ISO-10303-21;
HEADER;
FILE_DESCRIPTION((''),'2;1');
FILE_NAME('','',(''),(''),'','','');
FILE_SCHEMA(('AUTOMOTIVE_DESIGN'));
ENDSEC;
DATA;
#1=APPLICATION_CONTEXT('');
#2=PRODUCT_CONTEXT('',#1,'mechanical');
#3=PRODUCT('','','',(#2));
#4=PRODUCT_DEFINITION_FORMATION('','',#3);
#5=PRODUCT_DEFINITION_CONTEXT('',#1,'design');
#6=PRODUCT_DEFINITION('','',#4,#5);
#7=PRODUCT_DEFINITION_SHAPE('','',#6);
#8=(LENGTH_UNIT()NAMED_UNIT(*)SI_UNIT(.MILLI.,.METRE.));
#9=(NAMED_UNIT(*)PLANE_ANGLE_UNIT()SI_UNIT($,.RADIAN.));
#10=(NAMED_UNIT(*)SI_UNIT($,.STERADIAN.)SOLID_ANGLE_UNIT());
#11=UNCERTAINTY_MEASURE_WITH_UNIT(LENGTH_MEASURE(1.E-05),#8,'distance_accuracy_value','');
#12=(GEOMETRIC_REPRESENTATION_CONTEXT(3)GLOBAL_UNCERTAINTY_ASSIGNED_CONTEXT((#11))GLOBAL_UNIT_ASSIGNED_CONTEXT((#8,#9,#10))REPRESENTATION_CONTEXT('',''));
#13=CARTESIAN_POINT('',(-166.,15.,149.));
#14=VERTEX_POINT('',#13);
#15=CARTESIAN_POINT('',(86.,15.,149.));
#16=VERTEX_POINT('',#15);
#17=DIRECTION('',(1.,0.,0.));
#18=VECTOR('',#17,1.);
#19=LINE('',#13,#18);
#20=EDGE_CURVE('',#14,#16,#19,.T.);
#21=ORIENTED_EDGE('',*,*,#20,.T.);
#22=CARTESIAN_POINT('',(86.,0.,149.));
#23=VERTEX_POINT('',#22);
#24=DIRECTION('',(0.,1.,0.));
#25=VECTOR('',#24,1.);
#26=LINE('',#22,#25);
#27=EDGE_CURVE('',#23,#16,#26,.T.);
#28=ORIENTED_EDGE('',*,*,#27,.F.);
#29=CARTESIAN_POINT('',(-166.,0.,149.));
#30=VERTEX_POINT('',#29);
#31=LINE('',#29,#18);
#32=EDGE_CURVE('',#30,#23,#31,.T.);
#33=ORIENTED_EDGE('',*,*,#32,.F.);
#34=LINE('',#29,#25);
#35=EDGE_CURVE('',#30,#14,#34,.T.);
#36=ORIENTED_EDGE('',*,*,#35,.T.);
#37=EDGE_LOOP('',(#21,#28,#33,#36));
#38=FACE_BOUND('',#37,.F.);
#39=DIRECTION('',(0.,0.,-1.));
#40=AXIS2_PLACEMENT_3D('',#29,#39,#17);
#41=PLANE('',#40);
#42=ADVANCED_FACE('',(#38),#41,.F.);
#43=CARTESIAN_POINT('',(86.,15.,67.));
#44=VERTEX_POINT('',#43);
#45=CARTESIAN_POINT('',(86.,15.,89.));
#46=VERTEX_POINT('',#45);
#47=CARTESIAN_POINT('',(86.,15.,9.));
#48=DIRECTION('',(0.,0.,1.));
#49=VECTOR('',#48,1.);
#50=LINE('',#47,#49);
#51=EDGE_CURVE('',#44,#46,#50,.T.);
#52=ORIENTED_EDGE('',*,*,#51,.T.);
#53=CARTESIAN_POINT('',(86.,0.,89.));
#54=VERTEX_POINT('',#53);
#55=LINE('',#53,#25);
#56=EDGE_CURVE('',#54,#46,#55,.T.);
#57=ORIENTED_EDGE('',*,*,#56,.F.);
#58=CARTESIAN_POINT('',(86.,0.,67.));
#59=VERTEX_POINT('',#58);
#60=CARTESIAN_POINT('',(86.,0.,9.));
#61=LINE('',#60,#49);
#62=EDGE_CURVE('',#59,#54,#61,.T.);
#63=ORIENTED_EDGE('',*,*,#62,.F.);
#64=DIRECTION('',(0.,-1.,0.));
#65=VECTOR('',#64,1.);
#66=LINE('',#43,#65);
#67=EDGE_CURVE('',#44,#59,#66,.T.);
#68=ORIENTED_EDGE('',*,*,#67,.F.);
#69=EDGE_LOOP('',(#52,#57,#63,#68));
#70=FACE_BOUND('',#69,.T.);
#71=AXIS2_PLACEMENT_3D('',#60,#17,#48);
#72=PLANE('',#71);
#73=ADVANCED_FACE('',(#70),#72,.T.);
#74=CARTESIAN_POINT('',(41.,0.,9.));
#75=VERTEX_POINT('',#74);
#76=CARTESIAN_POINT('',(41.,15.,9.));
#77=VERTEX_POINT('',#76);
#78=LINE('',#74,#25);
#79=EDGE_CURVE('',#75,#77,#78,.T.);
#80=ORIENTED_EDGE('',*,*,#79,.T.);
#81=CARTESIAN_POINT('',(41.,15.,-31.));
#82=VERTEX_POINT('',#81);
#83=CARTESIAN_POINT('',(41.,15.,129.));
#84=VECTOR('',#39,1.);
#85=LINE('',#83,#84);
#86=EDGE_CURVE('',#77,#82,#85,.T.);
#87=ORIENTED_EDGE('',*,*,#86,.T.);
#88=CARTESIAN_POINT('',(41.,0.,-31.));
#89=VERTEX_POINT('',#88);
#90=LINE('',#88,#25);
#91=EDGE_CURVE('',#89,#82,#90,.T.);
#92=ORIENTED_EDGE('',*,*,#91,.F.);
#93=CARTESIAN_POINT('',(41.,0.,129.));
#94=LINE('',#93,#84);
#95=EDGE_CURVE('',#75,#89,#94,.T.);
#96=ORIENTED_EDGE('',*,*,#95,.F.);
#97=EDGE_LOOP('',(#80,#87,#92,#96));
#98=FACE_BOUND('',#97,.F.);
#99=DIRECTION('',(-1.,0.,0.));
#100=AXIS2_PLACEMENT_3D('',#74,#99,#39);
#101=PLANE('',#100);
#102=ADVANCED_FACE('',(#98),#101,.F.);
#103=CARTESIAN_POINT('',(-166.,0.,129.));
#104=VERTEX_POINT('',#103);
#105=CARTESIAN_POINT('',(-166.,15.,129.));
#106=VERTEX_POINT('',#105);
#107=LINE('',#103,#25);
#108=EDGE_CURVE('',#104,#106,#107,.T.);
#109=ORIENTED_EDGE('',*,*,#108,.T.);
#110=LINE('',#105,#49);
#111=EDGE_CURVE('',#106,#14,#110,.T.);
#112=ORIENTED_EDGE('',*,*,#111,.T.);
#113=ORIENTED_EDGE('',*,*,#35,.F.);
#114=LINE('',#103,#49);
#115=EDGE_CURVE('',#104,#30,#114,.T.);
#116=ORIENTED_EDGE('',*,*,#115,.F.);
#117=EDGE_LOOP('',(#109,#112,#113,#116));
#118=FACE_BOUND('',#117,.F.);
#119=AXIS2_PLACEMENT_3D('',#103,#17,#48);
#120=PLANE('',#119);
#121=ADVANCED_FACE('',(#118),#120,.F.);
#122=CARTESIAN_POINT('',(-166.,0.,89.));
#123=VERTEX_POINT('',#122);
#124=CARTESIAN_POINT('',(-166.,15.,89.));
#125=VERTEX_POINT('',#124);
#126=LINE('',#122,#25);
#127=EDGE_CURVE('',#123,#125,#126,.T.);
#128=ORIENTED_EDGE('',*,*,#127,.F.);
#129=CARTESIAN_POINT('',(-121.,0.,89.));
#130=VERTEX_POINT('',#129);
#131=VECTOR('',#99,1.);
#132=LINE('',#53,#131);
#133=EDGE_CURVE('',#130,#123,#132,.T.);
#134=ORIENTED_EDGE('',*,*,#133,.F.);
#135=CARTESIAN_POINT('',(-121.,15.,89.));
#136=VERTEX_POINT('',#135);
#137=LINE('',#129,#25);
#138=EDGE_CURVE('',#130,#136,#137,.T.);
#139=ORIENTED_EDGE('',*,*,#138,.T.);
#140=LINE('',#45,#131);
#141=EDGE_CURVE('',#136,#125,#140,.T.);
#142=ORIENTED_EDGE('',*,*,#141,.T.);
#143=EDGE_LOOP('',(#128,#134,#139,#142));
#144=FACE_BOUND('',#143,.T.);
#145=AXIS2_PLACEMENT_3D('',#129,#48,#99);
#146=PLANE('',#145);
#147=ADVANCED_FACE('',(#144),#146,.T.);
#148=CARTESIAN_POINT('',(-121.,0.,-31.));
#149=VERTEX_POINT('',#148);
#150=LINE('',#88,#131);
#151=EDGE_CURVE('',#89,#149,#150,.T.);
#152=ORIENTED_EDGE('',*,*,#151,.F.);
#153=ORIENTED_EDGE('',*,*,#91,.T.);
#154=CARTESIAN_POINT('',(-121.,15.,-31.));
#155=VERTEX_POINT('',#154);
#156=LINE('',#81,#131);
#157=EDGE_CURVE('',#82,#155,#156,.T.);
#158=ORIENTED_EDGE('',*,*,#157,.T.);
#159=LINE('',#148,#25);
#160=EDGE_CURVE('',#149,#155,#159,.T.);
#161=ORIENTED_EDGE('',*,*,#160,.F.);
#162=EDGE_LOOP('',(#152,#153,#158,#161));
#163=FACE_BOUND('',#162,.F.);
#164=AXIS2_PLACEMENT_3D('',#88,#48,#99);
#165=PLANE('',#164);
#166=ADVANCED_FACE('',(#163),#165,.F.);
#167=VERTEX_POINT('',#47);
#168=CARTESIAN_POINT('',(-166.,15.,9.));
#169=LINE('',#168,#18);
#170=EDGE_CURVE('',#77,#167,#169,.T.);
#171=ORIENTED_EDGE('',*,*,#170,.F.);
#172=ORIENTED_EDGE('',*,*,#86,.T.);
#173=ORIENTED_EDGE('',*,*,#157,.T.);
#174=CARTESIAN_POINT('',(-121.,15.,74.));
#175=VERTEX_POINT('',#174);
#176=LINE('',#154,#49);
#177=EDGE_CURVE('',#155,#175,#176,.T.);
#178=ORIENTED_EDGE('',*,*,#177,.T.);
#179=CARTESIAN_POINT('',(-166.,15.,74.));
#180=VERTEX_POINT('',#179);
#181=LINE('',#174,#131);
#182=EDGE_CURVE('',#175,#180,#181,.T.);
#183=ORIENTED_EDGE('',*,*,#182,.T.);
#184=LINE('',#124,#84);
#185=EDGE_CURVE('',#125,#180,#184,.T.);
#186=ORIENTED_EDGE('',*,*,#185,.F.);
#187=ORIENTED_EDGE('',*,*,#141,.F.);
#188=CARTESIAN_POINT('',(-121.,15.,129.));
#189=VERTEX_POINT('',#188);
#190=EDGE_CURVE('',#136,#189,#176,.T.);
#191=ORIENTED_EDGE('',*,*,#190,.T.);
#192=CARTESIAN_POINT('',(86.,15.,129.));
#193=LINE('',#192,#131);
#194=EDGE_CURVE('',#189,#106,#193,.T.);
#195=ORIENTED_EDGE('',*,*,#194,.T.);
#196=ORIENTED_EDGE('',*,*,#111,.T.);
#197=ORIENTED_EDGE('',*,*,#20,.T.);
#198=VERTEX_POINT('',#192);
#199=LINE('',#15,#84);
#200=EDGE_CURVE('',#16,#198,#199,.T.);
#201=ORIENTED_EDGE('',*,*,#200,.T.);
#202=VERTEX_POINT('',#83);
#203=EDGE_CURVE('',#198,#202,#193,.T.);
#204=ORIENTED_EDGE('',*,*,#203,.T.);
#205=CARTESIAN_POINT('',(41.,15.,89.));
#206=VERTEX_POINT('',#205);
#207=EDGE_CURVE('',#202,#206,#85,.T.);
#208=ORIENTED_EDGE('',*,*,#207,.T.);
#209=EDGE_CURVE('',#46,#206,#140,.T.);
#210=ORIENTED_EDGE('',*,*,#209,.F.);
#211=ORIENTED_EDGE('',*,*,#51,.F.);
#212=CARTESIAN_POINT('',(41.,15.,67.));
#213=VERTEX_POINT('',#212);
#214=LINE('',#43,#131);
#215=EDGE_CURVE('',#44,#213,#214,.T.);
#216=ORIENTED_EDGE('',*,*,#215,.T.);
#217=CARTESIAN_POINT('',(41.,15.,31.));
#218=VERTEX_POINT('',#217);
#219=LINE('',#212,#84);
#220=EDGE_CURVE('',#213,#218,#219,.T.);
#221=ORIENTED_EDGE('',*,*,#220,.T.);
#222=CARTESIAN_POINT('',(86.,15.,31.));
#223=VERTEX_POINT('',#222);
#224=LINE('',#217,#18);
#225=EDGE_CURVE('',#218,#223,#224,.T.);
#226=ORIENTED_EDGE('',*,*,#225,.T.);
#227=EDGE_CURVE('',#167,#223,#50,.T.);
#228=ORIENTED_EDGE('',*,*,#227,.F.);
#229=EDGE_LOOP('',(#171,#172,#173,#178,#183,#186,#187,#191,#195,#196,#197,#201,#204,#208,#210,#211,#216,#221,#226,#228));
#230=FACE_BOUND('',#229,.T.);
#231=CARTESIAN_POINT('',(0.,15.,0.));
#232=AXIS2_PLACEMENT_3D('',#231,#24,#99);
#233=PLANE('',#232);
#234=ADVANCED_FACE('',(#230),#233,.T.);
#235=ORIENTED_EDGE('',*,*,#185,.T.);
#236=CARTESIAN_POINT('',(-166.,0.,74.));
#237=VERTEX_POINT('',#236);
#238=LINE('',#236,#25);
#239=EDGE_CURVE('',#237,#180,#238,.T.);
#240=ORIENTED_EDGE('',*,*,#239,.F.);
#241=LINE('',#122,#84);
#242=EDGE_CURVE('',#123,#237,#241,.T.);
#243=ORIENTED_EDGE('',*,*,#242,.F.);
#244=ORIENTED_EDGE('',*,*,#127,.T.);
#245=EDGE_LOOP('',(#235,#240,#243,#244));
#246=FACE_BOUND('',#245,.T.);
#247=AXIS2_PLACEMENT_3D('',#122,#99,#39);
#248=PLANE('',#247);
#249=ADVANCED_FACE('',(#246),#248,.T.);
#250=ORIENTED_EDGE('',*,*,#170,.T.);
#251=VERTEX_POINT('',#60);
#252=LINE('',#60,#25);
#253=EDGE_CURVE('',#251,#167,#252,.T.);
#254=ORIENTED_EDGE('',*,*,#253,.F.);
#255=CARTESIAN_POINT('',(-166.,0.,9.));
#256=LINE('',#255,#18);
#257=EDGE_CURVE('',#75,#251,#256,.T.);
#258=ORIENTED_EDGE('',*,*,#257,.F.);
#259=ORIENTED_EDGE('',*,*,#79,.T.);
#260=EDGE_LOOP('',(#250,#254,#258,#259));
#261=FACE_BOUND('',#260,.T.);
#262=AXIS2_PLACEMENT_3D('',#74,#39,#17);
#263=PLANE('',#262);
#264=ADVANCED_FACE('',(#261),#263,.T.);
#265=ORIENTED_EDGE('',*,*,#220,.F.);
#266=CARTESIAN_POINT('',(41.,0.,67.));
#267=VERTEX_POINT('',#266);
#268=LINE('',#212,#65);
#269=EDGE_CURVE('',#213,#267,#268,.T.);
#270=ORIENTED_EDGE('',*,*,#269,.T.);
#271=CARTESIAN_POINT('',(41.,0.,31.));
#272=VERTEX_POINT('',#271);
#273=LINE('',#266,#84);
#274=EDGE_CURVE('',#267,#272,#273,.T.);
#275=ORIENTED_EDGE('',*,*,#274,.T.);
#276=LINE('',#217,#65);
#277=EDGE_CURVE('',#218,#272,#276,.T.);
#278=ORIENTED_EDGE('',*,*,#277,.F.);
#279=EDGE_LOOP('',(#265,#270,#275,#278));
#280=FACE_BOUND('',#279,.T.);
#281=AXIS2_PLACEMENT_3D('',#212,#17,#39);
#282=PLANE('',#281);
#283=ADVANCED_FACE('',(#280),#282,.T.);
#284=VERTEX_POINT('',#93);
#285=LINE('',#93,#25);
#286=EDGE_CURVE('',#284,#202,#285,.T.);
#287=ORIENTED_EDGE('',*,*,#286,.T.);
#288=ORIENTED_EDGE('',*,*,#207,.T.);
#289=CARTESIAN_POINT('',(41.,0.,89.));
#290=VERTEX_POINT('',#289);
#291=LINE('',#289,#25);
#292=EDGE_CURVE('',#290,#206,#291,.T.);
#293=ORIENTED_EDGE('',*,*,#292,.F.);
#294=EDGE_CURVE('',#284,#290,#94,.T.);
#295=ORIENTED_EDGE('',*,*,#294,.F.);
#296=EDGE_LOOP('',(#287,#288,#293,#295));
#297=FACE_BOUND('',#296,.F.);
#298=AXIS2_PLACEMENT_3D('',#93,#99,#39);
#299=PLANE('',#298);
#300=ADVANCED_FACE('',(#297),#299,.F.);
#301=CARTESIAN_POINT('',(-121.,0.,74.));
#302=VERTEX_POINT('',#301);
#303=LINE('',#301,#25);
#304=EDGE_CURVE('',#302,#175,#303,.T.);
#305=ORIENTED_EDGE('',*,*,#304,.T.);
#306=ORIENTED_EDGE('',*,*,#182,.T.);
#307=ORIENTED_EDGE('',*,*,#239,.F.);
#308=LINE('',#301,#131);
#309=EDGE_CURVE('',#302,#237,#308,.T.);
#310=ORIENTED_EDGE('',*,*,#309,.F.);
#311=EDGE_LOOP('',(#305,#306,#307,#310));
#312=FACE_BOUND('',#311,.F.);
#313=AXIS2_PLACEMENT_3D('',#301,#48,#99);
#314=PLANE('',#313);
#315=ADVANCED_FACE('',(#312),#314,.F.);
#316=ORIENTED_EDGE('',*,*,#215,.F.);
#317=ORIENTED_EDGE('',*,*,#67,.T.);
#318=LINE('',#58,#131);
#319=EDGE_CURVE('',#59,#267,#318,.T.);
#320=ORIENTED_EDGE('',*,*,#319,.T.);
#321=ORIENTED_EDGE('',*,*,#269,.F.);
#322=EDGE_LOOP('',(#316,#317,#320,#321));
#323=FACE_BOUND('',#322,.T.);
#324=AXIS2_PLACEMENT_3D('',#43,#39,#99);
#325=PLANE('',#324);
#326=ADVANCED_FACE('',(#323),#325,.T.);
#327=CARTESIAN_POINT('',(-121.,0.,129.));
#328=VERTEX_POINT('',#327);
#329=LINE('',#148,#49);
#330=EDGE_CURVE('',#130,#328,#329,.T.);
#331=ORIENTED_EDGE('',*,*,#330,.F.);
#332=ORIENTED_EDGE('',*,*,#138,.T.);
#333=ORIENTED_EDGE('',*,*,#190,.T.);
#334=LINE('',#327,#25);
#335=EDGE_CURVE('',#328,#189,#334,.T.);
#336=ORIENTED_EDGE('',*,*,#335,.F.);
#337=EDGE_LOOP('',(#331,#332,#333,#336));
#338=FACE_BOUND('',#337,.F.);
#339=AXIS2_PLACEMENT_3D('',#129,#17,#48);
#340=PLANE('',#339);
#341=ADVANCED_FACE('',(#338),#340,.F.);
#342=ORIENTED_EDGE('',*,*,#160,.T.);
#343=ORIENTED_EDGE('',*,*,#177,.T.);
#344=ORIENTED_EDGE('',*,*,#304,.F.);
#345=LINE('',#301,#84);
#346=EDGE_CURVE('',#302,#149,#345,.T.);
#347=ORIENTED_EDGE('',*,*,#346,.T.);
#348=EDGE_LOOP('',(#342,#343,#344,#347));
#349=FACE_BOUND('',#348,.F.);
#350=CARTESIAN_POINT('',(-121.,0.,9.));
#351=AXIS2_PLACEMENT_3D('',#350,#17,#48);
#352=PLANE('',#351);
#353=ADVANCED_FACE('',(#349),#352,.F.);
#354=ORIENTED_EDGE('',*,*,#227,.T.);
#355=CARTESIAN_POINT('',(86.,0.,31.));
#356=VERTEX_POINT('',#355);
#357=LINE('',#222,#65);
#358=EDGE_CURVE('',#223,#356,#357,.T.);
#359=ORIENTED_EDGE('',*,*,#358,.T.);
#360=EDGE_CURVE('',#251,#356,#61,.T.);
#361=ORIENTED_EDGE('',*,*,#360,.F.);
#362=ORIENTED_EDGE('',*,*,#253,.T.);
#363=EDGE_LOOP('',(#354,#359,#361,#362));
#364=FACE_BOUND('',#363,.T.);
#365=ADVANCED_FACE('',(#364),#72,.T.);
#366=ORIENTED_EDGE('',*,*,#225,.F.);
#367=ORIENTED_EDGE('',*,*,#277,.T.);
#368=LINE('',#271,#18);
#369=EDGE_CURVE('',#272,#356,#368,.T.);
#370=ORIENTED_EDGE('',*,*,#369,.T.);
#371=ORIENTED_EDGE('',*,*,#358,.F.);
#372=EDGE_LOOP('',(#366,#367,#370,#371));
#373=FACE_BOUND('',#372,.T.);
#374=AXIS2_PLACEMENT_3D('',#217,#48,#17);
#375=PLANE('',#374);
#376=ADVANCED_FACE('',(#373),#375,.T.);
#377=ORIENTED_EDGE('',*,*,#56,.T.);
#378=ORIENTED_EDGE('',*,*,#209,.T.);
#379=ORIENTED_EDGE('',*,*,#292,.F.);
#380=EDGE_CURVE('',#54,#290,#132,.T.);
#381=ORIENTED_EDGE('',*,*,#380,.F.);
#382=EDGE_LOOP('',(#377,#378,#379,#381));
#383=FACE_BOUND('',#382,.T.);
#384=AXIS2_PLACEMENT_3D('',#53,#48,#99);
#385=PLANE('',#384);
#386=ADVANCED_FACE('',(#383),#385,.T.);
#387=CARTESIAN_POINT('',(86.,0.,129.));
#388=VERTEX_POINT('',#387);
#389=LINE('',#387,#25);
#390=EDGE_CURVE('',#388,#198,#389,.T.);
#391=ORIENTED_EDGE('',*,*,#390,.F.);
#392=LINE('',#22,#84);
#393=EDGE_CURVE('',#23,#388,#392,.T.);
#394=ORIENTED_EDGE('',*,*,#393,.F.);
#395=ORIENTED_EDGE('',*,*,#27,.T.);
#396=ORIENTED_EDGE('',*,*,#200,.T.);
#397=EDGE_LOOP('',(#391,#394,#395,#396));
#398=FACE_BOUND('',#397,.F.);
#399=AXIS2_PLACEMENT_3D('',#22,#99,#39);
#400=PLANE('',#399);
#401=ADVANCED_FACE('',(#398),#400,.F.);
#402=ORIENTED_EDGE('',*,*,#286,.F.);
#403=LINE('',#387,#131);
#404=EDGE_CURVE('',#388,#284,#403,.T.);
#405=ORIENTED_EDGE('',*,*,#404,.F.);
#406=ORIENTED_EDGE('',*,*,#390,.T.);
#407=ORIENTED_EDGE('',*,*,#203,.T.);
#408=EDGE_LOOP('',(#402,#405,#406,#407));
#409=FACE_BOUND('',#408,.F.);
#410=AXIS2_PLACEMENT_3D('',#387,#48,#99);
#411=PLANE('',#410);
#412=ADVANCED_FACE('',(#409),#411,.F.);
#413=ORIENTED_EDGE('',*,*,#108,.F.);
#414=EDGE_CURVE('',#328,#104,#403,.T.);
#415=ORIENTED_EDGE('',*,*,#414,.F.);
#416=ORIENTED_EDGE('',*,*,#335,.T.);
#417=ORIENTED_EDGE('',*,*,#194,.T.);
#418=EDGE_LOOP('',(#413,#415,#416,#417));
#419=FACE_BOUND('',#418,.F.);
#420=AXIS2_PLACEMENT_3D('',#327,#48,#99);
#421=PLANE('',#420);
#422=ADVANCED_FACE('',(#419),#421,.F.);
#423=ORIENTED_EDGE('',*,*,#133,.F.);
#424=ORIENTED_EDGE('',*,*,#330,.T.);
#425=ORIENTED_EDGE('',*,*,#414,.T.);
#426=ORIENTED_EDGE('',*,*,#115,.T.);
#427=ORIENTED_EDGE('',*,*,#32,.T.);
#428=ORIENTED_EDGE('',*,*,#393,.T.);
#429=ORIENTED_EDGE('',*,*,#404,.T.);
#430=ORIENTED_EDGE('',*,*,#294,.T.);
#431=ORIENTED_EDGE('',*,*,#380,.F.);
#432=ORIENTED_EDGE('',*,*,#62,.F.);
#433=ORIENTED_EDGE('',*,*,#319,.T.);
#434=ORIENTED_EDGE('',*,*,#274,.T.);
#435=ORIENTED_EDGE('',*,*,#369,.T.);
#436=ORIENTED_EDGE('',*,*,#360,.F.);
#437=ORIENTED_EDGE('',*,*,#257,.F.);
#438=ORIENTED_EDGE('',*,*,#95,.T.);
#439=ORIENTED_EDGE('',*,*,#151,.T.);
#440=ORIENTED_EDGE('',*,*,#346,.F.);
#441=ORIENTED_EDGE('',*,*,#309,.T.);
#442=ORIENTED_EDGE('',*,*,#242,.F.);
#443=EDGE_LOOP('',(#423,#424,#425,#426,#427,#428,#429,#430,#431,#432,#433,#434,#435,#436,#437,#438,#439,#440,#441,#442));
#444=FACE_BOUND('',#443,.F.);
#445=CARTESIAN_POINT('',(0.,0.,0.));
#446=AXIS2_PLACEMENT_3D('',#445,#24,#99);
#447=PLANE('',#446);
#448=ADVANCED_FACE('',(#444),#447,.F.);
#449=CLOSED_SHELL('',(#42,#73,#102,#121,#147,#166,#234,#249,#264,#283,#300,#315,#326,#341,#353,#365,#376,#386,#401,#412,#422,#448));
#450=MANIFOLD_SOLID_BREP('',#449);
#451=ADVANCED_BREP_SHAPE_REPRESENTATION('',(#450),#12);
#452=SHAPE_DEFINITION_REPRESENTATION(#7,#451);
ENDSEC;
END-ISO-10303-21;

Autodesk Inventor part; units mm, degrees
ref_plane "YZ Plane" through (0, 0, 0) normal (1, 0, 0) x (0, 1, 0)
ref_plane "XZ Plane" through (0, 0, 0) normal (0, 1, 0) x (-1, 0, 0)
ref_plane "XY Plane" through (0, 0, 0) normal (0, 0, 1) x (1, 0, 0)
sketch "Sketch1" plane through (0, 0, 0) normal (0, 1, 0) x (-1, 0, 0)
  line L0 (121, 129) -> (-41, 129)
  line L1 (-41, 129) -> (-41, -31)
  line L2 (-41, -31) -> (121, -31)
  line L3 (121, -31) -> (121, 129)
  line L4 (-86, 89) -> (166, 89)
  line L5 (166, 89) -> (166, 9)
  line L6 (166, 9) -> (-86, 9)
  line L7 (-86, 9) -> (-86, 89)
  line L8 (-86, 129) -> (166, 129)
  line L9 (166, 129) -> (166, 149)
  line L10 (166, 149) -> (-86, 149)
  line L11 (-86, 149) -> (-86, 129)
  line L12 (166, -31) -> (-86, -31)
  line L13 (-86, -31) -> (-86, -46)
  line L14 (-86, -46) -> (166, -46)
  line L15 (166, -46) -> (166, -31)
  line L16 (166, 9) -> (121, 9)
  line L17 (121, 9) -> (121, 74)
  line L18 (121, 74) -> (166, 74)
  line L19 (166, 74) -> (166, 9)
  point P0 (0, 0)
  point P1 (166, 139)
  point P2 (-86, -38.5)
  point P3 (121, 89)
  point P4 (121, 129)
  point P5 (-41, 89)
  point P6 (-41, 9)
  point P7 (-41, -31)
  point P8 (121, 9)
  dimension "d0" = 162
  dimension "d1" = 160
  dimension "d2" = 40
  dimension "d5" = 40
  dimension "d7" = 45
  dimension "d8" = 45
  dimension "d9" = 20
  dimension "d10" = 45
  dimension "d11" = 15
  dimension "d12" = 45
  dimension "d13" = 207
  dimension "d14" = 15
  dimension "d32" = 0
  dimension "d33" = 45
  dimension "d34" = 45
extrude "Extrusion1" add sketch "Sketch1" along normal blind 15 contours L3 L4 L1 L0 | L0 L8 L11 L10 L9 | L4 L5 L18 L3 | L3 L6 L1 L4 | L1 L6 L7 L4 | L6 L3 L2 L1
sketch "Sketch4" plane through (0, 15, 0) normal (0, 1, 0) x (1, 0, 0)
  line L0 (86, -67) -> (41, -67)
  line L1 (41, -67) -> (41, -31)
  line L2 (41, -31) -> (86, -31)
  line L3 (86, -31) -> (86, -67)
  line L4 (41, -89) -> (86, -89) projected
  line L5 (86, -89) -> (86, -9) projected
  line L6 (86, -9) -> (41, -9) projected
  line L7 (-121, -31) -> (-166, -31)
  line L8 (-166, -31) -> (-166, -67)
  line L9 (-166, -67) -> (-121, -67)
  line L10 (-121, -67) -> (-121, -31)
  line L11 (-166, -74) -> (-166, -89) projected
  line L12 (-166, -89) -> (-121, -89) projected
  line L13 (86, -9) -> (41, -9) projected
  point P0 (0, 0)
  point P1 (86, -49)
  point P2 (-166, -9)
  point P3 (-143.5, -67)
  point P4 (-121, -9)
  dimension "d25" = 36
  dimension "d26" = 22
  dimension "d27" = 0
  dimension "d28" = 0
  dimension "d29" = 22
  dimension "d35" = 45
  dimension "d36" = 36
  dimension "d37" = 22
  dimension "d38" = 22
extrude "Extrusion3" cut sketch "Sketch4" against normal blind 15
properties part number "Zplita"
